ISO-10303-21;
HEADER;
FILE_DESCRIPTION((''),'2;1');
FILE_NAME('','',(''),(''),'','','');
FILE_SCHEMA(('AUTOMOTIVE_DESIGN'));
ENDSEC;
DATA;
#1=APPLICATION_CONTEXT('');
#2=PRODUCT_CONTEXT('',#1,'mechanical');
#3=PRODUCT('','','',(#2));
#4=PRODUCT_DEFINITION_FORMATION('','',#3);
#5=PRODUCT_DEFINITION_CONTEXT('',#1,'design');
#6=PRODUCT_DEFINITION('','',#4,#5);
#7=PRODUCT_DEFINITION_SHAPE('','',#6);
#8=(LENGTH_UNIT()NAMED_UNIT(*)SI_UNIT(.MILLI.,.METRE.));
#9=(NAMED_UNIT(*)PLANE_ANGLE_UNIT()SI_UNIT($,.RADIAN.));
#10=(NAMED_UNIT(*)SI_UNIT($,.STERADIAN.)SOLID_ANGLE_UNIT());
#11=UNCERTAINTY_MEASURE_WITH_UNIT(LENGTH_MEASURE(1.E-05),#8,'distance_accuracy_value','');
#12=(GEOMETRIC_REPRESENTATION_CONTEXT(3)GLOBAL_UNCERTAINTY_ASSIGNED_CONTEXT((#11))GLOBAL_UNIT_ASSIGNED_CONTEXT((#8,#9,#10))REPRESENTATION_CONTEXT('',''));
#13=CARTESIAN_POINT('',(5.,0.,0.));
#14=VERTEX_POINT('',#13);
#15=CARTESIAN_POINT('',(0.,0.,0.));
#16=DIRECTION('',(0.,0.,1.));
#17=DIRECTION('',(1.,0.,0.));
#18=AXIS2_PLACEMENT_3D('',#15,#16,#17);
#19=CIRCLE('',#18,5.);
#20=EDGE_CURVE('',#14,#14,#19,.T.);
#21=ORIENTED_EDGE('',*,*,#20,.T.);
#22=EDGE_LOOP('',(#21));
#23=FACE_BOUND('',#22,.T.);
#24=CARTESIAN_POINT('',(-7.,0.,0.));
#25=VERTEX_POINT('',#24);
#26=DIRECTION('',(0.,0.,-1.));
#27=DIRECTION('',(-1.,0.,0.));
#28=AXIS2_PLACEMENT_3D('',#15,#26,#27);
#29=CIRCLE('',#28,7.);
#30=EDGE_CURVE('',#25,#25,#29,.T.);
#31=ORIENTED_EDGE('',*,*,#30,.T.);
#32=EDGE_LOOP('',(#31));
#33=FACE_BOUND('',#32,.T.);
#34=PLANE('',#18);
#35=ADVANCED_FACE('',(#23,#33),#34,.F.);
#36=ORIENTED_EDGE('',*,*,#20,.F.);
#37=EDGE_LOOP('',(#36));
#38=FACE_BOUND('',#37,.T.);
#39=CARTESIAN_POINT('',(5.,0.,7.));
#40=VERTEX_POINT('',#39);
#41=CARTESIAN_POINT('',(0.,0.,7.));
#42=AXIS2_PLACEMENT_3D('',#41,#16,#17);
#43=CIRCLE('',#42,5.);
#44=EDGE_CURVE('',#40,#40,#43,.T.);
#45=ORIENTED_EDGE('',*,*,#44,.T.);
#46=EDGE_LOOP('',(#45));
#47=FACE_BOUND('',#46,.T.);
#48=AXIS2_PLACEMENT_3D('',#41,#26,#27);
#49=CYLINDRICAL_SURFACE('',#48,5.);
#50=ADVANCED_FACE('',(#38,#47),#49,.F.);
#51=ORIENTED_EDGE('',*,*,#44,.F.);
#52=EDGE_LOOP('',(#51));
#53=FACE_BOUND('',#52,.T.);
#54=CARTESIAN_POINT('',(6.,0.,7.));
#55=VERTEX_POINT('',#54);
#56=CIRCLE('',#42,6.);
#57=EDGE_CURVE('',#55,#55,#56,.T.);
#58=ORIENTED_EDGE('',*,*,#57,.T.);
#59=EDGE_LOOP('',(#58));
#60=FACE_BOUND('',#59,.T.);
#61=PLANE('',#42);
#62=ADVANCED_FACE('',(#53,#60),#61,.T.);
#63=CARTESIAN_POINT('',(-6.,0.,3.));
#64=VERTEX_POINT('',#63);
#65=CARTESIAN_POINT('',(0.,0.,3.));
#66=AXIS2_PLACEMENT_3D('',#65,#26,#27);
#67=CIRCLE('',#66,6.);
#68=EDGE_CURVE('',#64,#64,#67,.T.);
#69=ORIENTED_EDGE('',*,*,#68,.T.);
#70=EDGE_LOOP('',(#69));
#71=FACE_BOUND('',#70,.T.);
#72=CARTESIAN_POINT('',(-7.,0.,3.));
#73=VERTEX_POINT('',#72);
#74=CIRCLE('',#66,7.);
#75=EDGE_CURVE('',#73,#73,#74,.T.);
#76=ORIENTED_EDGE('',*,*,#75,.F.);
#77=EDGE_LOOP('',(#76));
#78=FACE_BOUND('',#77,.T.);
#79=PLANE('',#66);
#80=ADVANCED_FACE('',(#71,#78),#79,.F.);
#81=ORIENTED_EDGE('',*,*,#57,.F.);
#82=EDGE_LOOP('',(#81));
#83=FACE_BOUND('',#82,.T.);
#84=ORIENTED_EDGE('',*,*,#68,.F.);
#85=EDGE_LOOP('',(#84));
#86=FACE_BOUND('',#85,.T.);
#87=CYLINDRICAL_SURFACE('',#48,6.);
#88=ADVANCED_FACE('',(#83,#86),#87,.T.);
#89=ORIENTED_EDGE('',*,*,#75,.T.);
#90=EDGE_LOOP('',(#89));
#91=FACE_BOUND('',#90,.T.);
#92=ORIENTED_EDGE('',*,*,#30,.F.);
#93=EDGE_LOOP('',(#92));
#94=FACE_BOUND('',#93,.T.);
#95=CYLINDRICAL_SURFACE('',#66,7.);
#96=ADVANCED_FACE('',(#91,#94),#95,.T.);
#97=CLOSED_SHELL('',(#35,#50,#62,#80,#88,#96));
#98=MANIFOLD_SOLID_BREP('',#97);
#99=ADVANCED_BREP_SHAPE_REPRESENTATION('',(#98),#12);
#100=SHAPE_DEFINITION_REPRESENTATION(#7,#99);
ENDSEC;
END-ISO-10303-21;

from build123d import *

# Parameters (mm, degrees)
SKETCH_1_R      = 6
SKETCH_1_R_2    = 5
EXTRUDE_1_DEPTH = 7
SKETCH_2_R      = 7
SKETCH_2_R_2    = 6
EXTRUDE_2_DEPTH = 3


with BuildPart() as part:
    # 草图1 → 凸台-拉伸1 (new body)
    with BuildSketch(Plane.XY):
        Circle(SKETCH_1_R)
        Circle(SKETCH_1_R_2, mode=Mode.SUBTRACT)
    extrude(amount=EXTRUDE_1_DEPTH)

    # 草图2 → 凸台-拉伸2 (add)
    with BuildSketch(Plane(origin=(0, 0, 0), x_dir=(-1, 0, 0), z_dir=(0, 0, -1))):
        Circle(SKETCH_2_R)
        Circle(SKETCH_2_R_2, mode=Mode.SUBTRACT)
    extrude(amount=-EXTRUDE_2_DEPTH)


solid = part.part
